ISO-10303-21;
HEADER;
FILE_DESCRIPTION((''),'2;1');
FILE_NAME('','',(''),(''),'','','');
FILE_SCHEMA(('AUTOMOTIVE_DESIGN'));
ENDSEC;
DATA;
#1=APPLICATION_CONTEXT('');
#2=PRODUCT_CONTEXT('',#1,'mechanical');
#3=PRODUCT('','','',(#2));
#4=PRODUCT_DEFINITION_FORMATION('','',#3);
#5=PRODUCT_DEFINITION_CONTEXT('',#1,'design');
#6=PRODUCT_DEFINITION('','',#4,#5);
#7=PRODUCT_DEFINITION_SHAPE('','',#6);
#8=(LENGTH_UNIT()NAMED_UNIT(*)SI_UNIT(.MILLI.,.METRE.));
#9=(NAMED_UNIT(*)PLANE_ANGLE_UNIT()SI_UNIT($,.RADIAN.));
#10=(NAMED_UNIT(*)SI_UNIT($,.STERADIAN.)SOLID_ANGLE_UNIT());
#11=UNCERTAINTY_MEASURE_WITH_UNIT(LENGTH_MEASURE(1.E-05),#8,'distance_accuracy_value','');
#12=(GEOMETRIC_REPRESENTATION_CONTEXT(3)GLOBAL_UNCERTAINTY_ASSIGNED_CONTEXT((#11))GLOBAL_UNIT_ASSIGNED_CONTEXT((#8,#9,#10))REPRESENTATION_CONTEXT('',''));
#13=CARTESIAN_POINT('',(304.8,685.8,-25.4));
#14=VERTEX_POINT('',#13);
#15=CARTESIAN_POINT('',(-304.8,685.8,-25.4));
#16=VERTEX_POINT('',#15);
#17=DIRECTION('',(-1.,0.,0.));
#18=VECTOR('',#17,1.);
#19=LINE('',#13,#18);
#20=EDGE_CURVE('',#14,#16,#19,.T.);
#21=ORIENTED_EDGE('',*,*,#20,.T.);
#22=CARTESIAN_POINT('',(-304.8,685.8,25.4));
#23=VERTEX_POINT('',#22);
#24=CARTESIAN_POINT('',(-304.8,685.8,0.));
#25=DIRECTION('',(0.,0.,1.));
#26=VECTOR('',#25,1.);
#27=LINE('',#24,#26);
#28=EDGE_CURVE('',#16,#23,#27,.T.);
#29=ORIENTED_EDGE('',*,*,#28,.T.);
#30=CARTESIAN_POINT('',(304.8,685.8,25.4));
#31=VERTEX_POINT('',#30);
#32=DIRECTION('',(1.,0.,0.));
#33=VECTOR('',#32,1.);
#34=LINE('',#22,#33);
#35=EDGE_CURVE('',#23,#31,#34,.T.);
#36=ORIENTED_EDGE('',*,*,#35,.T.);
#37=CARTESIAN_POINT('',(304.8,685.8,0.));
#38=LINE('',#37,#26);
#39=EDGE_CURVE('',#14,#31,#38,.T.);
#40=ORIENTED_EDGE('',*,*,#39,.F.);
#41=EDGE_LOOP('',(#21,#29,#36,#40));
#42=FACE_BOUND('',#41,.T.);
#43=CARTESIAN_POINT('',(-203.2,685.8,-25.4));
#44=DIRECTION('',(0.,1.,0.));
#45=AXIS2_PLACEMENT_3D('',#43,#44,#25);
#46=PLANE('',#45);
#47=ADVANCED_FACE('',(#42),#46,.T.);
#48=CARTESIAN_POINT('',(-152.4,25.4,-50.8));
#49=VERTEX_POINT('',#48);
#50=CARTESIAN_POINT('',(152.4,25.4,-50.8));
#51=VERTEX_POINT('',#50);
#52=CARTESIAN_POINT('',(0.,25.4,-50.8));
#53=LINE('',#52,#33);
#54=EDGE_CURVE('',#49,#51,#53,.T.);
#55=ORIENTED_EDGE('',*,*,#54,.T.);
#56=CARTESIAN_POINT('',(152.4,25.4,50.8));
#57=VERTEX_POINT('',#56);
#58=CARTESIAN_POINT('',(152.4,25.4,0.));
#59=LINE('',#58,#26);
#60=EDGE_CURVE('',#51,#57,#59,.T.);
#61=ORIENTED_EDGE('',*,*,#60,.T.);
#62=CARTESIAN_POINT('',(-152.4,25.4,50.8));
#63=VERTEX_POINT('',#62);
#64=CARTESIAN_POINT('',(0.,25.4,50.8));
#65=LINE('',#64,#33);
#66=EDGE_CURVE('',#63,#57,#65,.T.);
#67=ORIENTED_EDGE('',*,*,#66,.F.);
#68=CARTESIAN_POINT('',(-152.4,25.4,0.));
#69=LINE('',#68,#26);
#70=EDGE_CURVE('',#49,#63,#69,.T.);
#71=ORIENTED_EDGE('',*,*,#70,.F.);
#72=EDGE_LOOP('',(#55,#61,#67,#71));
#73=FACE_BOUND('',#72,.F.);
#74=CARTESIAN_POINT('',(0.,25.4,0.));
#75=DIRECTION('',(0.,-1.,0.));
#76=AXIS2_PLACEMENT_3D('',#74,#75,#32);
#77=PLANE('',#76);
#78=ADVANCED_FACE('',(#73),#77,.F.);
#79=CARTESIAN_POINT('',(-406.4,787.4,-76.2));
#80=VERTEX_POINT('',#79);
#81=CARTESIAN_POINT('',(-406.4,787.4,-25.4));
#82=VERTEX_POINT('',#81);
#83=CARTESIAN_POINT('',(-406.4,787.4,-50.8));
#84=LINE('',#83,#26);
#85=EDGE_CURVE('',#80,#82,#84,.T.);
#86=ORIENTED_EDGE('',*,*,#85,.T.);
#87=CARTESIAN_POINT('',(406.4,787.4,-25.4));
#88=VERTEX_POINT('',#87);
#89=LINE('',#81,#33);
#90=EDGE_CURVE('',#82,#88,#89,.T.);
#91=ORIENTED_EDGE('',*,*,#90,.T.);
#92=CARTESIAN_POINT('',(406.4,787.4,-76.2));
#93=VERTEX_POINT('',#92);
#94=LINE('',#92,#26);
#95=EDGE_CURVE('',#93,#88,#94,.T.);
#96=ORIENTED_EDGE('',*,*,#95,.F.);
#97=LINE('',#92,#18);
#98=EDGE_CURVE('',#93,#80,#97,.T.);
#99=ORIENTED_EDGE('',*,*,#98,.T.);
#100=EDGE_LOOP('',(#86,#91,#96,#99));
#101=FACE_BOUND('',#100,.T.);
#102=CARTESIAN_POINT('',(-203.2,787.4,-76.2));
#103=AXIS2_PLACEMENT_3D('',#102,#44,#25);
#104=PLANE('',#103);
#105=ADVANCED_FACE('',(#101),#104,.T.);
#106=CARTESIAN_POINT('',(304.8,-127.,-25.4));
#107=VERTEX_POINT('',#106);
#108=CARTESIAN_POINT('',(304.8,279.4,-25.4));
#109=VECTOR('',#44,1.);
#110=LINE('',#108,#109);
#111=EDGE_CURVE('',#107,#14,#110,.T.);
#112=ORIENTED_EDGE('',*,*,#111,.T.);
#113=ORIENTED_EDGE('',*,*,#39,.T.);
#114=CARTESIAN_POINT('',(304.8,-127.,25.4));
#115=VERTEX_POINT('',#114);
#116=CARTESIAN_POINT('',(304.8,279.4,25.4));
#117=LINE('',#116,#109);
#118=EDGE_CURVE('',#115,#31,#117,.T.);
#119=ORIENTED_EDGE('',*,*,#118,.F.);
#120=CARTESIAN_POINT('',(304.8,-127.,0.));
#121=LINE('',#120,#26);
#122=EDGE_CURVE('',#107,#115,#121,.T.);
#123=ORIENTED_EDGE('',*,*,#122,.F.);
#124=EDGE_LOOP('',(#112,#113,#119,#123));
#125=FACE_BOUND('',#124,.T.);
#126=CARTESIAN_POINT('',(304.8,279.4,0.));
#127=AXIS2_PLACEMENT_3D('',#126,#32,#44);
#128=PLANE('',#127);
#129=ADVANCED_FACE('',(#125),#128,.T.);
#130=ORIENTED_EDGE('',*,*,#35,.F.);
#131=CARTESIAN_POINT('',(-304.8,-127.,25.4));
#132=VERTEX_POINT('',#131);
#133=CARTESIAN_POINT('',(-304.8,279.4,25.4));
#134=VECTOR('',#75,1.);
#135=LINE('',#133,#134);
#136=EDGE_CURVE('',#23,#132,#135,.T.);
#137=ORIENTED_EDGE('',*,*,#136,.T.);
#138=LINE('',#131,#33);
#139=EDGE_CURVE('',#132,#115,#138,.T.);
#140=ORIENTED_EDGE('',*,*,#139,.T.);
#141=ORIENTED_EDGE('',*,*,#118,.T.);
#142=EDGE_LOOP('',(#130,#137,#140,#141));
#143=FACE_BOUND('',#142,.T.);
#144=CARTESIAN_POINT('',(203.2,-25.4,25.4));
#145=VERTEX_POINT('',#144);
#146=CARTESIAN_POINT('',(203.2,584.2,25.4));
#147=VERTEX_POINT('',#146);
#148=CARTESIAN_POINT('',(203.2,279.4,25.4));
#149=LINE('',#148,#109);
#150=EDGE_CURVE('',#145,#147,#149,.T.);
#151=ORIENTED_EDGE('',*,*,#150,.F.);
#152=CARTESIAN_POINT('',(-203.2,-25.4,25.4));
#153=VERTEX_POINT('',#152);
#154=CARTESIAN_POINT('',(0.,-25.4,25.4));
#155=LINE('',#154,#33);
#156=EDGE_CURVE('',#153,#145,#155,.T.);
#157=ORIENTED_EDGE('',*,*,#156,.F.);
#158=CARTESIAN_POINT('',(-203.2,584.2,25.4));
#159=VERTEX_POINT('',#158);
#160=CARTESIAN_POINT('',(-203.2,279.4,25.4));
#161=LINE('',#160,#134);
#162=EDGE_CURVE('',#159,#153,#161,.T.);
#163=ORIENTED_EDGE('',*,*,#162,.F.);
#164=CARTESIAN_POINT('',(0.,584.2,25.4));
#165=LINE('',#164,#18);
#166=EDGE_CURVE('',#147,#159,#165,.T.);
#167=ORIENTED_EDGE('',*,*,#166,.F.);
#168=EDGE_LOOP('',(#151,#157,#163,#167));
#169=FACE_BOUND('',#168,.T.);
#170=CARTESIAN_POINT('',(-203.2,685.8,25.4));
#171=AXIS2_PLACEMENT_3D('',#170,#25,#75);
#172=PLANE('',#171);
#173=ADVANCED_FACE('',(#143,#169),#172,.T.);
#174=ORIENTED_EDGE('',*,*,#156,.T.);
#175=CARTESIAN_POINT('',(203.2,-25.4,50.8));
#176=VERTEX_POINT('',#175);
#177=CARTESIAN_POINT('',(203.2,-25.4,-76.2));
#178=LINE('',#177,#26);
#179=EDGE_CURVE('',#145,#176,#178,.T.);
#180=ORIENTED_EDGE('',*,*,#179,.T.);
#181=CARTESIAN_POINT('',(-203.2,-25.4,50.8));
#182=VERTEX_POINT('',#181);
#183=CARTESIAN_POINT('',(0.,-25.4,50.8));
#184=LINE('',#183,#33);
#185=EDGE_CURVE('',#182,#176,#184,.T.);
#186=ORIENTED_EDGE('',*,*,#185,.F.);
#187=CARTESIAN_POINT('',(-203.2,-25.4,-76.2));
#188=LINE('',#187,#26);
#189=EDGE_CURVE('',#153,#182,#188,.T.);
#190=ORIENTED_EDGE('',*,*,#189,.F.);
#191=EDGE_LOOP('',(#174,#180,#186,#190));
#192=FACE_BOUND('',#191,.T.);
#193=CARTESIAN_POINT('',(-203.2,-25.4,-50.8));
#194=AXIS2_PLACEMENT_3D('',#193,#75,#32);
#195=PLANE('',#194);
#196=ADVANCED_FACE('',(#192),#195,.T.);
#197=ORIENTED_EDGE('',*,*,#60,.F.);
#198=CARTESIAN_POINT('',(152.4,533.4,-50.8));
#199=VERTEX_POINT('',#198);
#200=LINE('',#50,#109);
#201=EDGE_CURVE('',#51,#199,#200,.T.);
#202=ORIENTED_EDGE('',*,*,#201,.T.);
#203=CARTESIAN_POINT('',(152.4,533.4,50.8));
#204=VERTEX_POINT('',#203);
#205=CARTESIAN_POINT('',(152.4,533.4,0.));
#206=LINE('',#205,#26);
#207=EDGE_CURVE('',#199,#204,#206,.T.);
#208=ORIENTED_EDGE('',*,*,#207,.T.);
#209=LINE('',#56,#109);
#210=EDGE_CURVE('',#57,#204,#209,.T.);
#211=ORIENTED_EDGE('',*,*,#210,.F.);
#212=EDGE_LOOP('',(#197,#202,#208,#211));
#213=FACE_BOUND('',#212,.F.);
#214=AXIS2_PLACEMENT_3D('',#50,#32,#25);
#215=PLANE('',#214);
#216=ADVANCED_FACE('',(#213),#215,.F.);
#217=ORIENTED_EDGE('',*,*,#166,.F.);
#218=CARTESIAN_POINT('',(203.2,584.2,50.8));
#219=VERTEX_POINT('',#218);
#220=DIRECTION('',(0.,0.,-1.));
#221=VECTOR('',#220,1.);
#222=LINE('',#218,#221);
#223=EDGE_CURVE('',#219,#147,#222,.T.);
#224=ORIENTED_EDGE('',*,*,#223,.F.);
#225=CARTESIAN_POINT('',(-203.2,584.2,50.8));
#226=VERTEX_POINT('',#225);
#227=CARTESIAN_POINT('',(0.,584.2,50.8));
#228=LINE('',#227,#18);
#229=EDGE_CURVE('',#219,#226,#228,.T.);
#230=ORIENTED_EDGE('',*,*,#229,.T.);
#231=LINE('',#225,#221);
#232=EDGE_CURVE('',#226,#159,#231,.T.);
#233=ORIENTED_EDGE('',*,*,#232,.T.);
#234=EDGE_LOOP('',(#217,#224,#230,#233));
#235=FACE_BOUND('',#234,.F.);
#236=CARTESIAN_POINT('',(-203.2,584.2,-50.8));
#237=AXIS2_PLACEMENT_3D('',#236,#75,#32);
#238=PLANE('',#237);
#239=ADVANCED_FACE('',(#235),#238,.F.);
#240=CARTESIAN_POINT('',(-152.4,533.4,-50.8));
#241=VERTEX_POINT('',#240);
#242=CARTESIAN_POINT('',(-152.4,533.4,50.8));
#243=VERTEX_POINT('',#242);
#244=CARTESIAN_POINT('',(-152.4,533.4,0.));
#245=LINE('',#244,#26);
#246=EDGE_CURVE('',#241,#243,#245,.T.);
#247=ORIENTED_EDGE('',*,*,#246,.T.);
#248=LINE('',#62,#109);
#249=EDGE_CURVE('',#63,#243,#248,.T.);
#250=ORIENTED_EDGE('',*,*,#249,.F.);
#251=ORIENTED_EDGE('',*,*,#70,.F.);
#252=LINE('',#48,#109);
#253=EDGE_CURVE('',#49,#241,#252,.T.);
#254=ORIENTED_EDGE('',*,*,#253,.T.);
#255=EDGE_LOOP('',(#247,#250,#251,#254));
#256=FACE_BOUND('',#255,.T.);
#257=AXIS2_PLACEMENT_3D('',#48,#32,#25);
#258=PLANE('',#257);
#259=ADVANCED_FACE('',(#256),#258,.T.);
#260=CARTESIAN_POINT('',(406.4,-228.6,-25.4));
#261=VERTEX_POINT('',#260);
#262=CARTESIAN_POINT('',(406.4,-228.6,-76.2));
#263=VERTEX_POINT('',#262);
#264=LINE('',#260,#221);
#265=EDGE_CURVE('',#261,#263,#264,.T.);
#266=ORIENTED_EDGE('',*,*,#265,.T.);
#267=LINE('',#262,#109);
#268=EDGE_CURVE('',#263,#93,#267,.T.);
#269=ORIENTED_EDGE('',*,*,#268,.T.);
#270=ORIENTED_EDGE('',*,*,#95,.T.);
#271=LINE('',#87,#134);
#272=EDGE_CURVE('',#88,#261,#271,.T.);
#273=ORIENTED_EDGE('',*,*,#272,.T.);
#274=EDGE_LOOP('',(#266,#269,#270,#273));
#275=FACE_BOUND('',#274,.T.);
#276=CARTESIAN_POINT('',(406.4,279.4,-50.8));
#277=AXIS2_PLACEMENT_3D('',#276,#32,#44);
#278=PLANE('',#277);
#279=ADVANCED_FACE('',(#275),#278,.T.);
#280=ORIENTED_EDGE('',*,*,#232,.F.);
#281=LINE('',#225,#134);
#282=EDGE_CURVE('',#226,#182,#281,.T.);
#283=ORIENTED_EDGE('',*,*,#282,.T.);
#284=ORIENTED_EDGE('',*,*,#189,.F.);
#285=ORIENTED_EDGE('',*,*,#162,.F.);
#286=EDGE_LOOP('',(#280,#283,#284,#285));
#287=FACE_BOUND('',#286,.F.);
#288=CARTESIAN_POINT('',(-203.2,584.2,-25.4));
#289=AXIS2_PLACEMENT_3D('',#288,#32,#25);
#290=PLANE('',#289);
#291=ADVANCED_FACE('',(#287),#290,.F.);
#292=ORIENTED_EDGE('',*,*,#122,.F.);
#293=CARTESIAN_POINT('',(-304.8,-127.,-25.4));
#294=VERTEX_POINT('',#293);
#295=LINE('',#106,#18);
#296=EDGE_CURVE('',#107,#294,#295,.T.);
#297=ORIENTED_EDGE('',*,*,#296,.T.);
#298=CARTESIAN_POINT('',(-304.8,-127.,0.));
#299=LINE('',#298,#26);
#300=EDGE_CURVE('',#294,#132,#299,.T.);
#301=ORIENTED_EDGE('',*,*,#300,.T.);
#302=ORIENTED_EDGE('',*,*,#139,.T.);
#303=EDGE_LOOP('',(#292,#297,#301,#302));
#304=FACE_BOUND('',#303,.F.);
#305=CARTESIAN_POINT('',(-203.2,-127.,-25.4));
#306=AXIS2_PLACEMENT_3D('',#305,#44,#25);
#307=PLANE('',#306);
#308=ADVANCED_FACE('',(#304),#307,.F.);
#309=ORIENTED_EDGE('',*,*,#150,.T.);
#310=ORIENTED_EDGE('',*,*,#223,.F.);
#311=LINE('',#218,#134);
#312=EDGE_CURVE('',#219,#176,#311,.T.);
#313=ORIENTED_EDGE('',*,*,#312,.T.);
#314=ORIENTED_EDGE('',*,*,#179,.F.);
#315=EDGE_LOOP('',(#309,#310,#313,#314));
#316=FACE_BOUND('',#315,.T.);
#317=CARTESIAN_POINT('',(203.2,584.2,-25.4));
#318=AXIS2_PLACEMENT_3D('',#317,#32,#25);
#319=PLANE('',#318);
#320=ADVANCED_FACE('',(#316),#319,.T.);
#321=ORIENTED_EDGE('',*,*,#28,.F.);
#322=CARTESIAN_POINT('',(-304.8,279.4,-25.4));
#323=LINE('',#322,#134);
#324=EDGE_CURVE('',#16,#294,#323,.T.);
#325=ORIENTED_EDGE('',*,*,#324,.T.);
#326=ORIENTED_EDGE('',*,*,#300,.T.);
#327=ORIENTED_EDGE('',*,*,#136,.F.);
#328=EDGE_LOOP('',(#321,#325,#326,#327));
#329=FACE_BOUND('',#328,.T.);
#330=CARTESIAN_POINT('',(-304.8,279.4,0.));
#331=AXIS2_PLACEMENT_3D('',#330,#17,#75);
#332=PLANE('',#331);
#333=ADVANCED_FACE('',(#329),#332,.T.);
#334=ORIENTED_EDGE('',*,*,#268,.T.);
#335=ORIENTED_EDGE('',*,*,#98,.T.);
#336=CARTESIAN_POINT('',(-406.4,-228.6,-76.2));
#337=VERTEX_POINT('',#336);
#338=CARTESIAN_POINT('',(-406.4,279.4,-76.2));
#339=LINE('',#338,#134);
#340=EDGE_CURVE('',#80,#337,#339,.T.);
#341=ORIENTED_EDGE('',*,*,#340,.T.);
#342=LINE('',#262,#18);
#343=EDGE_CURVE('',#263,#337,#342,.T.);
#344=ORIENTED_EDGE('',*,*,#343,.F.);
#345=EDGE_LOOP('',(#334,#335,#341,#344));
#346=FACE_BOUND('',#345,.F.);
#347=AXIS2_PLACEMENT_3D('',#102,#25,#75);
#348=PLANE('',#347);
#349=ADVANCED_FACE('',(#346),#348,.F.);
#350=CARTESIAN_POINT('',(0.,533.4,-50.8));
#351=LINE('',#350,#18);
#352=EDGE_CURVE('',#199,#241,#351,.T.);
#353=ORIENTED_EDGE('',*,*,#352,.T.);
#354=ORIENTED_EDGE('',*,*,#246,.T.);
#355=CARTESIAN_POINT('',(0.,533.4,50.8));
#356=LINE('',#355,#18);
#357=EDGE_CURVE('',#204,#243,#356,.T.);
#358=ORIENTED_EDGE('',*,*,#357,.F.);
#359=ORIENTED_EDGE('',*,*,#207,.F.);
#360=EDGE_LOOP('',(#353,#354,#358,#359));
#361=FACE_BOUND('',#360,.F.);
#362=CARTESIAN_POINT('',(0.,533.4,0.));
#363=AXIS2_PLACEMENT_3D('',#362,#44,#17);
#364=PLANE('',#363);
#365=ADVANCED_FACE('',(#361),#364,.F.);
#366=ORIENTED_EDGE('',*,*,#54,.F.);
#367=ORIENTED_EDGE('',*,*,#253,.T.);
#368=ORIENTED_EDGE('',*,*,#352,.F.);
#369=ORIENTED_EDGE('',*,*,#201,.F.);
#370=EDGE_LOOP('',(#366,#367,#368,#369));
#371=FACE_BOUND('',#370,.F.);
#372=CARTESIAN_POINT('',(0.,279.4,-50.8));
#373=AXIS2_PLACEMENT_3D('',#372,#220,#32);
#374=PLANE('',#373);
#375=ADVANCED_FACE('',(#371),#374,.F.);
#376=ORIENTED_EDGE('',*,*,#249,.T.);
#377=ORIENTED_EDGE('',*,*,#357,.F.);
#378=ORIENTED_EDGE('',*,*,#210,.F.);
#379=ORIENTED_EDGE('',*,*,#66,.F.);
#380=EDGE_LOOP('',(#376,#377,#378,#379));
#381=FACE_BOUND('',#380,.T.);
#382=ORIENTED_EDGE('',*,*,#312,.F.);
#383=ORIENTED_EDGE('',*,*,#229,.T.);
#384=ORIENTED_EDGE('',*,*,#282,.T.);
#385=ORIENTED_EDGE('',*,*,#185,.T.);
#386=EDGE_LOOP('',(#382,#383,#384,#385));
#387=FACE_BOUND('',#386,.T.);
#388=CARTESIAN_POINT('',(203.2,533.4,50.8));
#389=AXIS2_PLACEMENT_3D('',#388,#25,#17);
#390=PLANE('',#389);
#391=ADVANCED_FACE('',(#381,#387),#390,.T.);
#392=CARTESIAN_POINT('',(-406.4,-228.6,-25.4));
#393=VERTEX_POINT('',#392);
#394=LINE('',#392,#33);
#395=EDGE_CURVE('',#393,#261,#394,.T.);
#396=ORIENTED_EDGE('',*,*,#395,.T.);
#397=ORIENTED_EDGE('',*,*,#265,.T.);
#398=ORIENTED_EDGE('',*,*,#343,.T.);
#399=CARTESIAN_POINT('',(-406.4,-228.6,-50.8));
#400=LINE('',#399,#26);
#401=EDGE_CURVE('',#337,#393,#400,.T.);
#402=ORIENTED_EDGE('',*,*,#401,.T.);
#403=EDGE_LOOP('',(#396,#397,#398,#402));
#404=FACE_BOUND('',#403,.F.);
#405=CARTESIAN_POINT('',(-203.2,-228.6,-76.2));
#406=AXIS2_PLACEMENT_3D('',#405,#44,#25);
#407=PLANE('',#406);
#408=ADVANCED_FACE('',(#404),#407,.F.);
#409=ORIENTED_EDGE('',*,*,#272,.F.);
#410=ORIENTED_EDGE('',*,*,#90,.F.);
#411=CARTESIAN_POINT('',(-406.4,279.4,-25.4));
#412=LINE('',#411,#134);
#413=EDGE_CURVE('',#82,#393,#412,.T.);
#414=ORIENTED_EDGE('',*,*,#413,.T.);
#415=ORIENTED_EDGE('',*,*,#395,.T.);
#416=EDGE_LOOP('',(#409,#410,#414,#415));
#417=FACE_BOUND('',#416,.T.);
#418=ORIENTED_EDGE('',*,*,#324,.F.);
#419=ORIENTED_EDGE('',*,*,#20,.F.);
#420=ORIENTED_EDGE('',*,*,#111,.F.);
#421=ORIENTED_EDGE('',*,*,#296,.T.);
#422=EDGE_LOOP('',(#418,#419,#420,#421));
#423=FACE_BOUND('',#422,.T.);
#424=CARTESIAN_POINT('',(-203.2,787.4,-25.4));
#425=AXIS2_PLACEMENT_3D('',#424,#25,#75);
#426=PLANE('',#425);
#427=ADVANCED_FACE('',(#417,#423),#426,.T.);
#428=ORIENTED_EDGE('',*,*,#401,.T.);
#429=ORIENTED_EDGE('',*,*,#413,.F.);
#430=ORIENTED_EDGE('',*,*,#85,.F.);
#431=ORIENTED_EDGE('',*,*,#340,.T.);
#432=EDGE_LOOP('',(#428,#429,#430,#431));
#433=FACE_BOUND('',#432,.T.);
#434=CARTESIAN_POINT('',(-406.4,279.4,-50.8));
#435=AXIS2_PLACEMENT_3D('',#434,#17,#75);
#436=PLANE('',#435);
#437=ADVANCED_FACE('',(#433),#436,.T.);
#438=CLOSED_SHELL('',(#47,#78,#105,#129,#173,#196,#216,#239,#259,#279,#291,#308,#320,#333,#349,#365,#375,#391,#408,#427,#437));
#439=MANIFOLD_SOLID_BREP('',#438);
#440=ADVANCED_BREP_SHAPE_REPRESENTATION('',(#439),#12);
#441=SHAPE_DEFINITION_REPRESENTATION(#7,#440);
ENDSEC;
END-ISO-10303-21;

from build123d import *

# Parameters (mm, degrees)
F0_W      = 406.4
F0_H      = 101.6
F1_DEPTH  = 25.4
F2_W      = 50.8
F2_H      = 101.6
F3_DEPTH  = 508
F4_W      = 406.4
F4_H      = 101.6
F5_DEPTH  = 50.8
F6_W      = 406.4
F6_H      = 609.6
F7_DEPTH  = 25.4
F8_W      = 406.4
F8_H      = 50.8
F9_DEPTH  = 203.2
F10_W     = 406.4
F10_H     = 50.8
F11_DEPTH = 101.6
F12_W     = 406.4
F12_H     = 50.8
F13_DEPTH = 203.2
F14_W     = 406.4
F14_H     = 50.8
F15_DEPTH = 101.6
F17_DEPTH = 203.2
F18_W     = 812.8
F18_H     = 50.8
F19_DEPTH = 101.6
F20_W     = 1016
F20_H     = 50.8
F21_DEPTH = 203.2
F22_W     = 812.8
F22_H     = 50.8
F23_DEPTH = 101.6


with BuildPart() as f1:
    # F0 (on Front) → F1 (new body, symmetric)
    with BuildSketch(Plane.XZ):
        Rectangle(F0_W, F0_H)
    extrude(amount=F1_DEPTH, both=True)

    # F2 (on face) → F3 (join)
    with BuildSketch(Plane(origin=(0, 25.4, 0), x_dir=(-1, 0, 0), z_dir=(0, 1, 0))):
        with Locations((-177.8, 0)):
            Rectangle(F2_W, F2_H)
        with Locations((177.8, 0)):
            Rectangle(F2_W, F2_H)
    extrude(amount=F3_DEPTH)

    # F4 (on face) → F5 (join)
    with BuildSketch(Plane(origin=(0, 533.4, 0), x_dir=(-1, 0, 0), z_dir=(0, 1, 0))):
        Rectangle(F4_W, F4_H)
    extrude(amount=F5_DEPTH)

    # F6 (on face) → F7 (join)
    with BuildSketch(Plane(origin=(0, 0, -50.8), x_dir=(1, 0, 0), z_dir=(0, 0, -1))):
        with Locations((0, -279.4)):
            Rectangle(F6_W, F6_H)
    extrude(amount=F7_DEPTH)

    # F8 (on face) → F9 (join)
    with BuildSketch(Plane.XZ.offset(25.4)):
        with Locations((0, -50.8)):
            Rectangle(F8_W, F8_H)
    extrude(amount=F9_DEPTH)

    # F10 (on face) → F11 (join)
    with BuildSketch(Plane.XZ.offset(25.4)):
        Rectangle(F10_W, F10_H)
    extrude(amount=F11_DEPTH)

    # F12 (on face) → F13 (join)
    with BuildSketch(Plane(origin=(0, 584.2, 0), x_dir=(-1, 0, 0), z_dir=(0, 1, 0))):
        with Locations((0, -50.8)):
            Rectangle(F12_W, F12_H)
    extrude(amount=F13_DEPTH)

    # F14 (on face) → F15 (join)
    with BuildSketch(Plane(origin=(0, 584.2, 0), x_dir=(-1, 0, 0), z_dir=(0, 1, 0))):
        Rectangle(F14_W, F14_H)
    extrude(amount=F15_DEPTH)

    # F16 (on face) → F17 (join)
    with BuildSketch(Plane.YZ.offset(203.2)):
        Polygon((-127, -25.4), (-228.6, -25.4), (-228.6, -76.2), (787.4, -76.2), (787.4, -25.4), (685.8, -25.4), align=None)
    extrude(amount=F17_DEPTH)

    # F18 (on face) → F19 (join)
    with BuildSketch(Plane.YZ.offset(203.2)):
        with Locations((279.4, 0)):
            Rectangle(F18_W, F18_H)
    extrude(amount=F19_DEPTH)

    # F20 (on face) → F21 (join)
    with BuildSketch(Plane(origin=(-203.2, 0, 0), x_dir=(0, -1, 0), z_dir=(-1, 0, 0))):
        with Locations((-279.4, -50.8)):
            Rectangle(F20_W, F20_H)
    extrude(amount=F21_DEPTH)

    # F22 (on face) → F23 (join)
    with BuildSketch(Plane(origin=(-203.2, 0, 0), x_dir=(0, -1, 0), z_dir=(-1, 0, 0))):
        with Locations((-279.4, 0)):
            Rectangle(F22_W, F22_H)
    extrude(amount=F23_DEPTH)


solid = f1.part
